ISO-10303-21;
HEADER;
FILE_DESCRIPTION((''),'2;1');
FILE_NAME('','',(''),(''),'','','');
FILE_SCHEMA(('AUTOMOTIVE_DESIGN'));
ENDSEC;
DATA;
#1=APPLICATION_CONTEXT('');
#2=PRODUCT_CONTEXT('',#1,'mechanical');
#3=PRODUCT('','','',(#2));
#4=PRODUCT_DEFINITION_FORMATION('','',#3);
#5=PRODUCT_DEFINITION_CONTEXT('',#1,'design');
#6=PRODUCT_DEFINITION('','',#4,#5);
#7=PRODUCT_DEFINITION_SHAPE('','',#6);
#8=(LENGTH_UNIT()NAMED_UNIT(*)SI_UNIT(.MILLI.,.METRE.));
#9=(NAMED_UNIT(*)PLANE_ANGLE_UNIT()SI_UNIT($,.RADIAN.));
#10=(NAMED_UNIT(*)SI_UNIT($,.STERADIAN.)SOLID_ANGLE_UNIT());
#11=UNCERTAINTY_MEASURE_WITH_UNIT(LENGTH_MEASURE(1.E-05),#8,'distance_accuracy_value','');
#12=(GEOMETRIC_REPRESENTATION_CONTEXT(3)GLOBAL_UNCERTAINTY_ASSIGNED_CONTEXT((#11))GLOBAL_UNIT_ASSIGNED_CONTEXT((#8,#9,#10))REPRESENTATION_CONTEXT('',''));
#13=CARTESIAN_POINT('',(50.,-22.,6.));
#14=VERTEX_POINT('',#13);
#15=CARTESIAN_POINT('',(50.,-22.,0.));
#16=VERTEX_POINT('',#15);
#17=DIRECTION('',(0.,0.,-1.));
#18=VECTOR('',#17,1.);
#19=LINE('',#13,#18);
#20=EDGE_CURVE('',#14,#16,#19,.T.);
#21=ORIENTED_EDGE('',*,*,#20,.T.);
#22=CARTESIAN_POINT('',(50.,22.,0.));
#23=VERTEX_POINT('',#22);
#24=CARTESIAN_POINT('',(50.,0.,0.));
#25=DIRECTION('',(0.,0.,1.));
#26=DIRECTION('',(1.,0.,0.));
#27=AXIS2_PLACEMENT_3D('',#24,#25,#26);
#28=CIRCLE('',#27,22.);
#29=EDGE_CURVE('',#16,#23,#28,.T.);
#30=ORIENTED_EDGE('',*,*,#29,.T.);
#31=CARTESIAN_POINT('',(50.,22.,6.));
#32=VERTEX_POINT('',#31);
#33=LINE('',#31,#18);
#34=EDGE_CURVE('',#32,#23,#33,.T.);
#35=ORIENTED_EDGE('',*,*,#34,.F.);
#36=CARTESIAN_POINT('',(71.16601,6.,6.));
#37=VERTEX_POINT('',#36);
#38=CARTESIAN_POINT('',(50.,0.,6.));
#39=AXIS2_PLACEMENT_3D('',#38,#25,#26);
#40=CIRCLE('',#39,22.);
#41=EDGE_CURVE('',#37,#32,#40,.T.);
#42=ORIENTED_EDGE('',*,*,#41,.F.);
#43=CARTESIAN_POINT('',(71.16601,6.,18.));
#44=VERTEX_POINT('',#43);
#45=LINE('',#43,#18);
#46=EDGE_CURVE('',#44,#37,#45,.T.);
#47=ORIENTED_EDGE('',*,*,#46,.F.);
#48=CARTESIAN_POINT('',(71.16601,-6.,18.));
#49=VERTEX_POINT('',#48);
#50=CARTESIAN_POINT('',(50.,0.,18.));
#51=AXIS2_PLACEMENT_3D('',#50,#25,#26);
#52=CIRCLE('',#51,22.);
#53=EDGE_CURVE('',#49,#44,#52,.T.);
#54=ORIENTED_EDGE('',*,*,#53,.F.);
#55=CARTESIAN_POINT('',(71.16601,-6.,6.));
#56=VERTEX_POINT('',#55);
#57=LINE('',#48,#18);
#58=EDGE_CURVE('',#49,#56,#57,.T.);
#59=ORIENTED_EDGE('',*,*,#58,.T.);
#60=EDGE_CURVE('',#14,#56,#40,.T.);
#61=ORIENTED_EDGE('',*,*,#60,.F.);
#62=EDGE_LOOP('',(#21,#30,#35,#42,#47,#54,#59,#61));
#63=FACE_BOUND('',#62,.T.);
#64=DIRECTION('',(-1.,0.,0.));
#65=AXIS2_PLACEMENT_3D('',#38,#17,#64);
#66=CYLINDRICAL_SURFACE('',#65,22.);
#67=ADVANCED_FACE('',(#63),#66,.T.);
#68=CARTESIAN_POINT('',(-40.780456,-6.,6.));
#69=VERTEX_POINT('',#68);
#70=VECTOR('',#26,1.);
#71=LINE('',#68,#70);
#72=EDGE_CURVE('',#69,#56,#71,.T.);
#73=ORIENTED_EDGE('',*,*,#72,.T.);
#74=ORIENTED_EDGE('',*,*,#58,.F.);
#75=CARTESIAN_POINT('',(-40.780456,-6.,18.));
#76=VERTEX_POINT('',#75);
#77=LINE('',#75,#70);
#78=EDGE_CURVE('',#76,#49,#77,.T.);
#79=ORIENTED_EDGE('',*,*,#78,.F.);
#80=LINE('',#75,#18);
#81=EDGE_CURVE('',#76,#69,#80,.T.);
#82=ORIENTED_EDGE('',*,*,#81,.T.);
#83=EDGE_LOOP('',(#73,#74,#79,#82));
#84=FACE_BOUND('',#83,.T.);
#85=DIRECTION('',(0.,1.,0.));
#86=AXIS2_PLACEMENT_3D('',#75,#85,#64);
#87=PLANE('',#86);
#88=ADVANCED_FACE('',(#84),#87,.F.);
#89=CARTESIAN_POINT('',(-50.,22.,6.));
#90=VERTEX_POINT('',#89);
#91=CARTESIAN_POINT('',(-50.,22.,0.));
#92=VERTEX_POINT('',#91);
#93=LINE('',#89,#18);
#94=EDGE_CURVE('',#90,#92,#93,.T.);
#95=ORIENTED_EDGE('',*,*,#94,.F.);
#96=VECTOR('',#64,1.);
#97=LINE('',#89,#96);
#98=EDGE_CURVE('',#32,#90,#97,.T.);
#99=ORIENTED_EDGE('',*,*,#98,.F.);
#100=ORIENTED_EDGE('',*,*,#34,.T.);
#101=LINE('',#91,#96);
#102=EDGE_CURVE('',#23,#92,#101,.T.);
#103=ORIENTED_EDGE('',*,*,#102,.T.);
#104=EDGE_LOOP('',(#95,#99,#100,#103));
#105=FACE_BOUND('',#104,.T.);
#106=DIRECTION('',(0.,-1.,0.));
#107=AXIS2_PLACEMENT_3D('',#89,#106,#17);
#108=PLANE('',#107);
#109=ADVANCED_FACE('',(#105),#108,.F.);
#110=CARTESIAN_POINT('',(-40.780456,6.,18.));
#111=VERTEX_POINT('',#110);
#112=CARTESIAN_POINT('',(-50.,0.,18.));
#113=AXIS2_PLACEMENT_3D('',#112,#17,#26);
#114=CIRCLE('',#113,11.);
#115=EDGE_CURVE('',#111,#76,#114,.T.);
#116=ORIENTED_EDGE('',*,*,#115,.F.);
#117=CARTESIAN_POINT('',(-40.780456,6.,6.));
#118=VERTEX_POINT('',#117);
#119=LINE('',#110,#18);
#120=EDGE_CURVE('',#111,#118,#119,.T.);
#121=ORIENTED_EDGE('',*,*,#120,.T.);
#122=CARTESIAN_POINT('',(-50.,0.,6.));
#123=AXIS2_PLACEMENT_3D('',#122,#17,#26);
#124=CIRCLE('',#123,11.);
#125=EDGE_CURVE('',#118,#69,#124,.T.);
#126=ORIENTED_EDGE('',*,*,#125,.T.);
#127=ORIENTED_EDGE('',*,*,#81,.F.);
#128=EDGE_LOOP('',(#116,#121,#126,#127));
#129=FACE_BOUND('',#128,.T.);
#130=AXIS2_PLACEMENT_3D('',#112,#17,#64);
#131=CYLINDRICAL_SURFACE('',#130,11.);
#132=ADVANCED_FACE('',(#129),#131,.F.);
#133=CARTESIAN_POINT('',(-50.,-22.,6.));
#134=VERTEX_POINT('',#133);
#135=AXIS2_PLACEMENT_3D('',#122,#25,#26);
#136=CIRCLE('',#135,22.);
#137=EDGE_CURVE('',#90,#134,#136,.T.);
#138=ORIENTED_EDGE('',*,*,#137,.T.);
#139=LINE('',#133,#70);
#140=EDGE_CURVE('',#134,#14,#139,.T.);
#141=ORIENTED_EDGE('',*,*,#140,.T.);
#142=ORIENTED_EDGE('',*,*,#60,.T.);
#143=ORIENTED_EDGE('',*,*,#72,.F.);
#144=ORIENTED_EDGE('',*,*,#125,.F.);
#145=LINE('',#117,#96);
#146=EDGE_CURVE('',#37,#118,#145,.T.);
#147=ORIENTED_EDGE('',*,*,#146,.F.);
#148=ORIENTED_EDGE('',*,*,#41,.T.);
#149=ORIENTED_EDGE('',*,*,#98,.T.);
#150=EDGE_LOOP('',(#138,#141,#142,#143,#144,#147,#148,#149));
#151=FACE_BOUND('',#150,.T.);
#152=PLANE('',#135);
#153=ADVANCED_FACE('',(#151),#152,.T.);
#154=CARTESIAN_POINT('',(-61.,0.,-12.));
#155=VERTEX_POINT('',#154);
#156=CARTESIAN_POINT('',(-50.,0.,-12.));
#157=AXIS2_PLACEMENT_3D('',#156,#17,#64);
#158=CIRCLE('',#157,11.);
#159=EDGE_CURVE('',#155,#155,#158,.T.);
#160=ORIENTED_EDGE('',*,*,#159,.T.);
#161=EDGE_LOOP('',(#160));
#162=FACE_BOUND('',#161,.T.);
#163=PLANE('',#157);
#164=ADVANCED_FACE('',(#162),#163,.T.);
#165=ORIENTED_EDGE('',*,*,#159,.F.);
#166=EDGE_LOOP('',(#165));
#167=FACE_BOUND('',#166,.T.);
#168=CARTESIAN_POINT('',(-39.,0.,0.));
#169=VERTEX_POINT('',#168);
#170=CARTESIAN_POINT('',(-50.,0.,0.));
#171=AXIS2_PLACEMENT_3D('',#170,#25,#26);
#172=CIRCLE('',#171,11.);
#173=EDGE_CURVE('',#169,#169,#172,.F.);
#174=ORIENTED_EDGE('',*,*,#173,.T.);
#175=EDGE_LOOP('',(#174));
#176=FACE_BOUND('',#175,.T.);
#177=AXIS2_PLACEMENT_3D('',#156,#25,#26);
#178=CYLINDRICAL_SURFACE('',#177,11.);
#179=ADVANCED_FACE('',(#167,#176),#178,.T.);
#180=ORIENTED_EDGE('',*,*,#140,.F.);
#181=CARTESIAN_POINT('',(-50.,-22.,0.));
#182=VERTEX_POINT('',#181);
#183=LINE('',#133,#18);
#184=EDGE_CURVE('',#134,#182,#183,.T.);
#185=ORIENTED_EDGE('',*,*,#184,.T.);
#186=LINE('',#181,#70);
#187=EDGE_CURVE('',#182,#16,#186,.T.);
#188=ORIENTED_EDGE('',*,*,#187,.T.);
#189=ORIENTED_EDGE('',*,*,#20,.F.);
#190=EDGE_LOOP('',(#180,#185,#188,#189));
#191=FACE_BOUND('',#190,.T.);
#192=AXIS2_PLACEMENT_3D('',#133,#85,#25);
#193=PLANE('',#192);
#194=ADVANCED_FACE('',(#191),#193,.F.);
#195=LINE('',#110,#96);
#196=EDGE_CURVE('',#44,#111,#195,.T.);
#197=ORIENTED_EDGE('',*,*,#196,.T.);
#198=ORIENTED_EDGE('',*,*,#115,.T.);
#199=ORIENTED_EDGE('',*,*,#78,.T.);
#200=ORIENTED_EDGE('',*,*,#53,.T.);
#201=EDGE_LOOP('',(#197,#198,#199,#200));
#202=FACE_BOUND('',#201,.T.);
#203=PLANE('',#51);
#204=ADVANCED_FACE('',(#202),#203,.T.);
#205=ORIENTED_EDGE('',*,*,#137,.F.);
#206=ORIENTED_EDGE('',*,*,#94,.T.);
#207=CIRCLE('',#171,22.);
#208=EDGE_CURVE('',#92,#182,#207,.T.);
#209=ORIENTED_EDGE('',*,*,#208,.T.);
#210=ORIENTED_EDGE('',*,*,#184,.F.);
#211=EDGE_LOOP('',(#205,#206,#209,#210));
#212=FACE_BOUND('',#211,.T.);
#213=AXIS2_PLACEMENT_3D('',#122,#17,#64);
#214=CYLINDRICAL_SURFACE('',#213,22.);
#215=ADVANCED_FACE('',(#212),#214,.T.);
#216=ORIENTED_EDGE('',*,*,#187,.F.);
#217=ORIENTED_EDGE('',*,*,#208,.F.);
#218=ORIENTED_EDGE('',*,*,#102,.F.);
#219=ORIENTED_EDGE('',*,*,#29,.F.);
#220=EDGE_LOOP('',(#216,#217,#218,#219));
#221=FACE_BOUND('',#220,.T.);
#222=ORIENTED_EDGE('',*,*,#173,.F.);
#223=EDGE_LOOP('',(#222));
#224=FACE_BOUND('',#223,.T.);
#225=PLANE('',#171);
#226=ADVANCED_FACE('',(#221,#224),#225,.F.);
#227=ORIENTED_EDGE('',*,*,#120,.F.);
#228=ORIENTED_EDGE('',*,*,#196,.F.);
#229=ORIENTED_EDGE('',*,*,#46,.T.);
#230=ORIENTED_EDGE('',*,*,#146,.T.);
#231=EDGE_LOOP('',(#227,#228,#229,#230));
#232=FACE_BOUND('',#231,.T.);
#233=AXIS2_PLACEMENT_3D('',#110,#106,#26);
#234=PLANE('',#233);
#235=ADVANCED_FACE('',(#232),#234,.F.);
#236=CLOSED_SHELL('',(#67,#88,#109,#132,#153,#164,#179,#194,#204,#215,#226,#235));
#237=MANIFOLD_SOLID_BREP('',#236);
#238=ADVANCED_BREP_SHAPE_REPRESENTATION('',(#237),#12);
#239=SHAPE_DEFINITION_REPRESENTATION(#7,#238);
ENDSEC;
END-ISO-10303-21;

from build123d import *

# Parameters (mm, degrees)
BOSS_EXTRUDE4_DEPTH = 6
BOSS_EXTRUDE6_DEPTH = 12
BOSS_EXTRUDE7_START = 12
SKETCH7_R           = 11
BOSS_EXTRUDE7_DEPTH = 12


with BuildPart() as part:
    # Sketch2 → Boss-Extrude4 (new body)
    with BuildSketch(Plane.XY):
        with BuildLine():
            Line((-50, 22), (50, 22))
            ThreePointArc((50, 22), (72, 0), (50, -22))
            Line((50, -22), (-50, -22))
            ThreePointArc((-50, -22), (-72, 0), (-50, 22))
        make_face()
    extrude(amount=BOSS_EXTRUDE4_DEPTH)

    # Sketch5 → Boss-Extrude6 (add)
    with BuildSketch(Plane.XY.offset(6)):
        with BuildLine():
            Line((-40.780455543, 6), (71.166010489, 6))
            ThreePointArc((71.166010489, 6), (72, 0), (71.166010489, -6))
            Line((71.166010489, -6), (-40.780455543, -6))
            ThreePointArc((-40.780455543, -6), (-39, 0), (-40.780455543, 6))
        make_face()
    extrude(amount=BOSS_EXTRUDE6_DEPTH)

    # Sketch7 → Boss-Extrude7 (add)
    with BuildSketch(Plane(origin=(0, 0, 0), x_dir=(-1, 0, 0), z_dir=(0, 0, -1)).offset(BOSS_EXTRUDE7_START)):
        with Locations(Location((50, 0, 0), (0, 0, 180))):
            Circle(SKETCH7_R)
    extrude(amount=-BOSS_EXTRUDE7_DEPTH)


solid = part.part
